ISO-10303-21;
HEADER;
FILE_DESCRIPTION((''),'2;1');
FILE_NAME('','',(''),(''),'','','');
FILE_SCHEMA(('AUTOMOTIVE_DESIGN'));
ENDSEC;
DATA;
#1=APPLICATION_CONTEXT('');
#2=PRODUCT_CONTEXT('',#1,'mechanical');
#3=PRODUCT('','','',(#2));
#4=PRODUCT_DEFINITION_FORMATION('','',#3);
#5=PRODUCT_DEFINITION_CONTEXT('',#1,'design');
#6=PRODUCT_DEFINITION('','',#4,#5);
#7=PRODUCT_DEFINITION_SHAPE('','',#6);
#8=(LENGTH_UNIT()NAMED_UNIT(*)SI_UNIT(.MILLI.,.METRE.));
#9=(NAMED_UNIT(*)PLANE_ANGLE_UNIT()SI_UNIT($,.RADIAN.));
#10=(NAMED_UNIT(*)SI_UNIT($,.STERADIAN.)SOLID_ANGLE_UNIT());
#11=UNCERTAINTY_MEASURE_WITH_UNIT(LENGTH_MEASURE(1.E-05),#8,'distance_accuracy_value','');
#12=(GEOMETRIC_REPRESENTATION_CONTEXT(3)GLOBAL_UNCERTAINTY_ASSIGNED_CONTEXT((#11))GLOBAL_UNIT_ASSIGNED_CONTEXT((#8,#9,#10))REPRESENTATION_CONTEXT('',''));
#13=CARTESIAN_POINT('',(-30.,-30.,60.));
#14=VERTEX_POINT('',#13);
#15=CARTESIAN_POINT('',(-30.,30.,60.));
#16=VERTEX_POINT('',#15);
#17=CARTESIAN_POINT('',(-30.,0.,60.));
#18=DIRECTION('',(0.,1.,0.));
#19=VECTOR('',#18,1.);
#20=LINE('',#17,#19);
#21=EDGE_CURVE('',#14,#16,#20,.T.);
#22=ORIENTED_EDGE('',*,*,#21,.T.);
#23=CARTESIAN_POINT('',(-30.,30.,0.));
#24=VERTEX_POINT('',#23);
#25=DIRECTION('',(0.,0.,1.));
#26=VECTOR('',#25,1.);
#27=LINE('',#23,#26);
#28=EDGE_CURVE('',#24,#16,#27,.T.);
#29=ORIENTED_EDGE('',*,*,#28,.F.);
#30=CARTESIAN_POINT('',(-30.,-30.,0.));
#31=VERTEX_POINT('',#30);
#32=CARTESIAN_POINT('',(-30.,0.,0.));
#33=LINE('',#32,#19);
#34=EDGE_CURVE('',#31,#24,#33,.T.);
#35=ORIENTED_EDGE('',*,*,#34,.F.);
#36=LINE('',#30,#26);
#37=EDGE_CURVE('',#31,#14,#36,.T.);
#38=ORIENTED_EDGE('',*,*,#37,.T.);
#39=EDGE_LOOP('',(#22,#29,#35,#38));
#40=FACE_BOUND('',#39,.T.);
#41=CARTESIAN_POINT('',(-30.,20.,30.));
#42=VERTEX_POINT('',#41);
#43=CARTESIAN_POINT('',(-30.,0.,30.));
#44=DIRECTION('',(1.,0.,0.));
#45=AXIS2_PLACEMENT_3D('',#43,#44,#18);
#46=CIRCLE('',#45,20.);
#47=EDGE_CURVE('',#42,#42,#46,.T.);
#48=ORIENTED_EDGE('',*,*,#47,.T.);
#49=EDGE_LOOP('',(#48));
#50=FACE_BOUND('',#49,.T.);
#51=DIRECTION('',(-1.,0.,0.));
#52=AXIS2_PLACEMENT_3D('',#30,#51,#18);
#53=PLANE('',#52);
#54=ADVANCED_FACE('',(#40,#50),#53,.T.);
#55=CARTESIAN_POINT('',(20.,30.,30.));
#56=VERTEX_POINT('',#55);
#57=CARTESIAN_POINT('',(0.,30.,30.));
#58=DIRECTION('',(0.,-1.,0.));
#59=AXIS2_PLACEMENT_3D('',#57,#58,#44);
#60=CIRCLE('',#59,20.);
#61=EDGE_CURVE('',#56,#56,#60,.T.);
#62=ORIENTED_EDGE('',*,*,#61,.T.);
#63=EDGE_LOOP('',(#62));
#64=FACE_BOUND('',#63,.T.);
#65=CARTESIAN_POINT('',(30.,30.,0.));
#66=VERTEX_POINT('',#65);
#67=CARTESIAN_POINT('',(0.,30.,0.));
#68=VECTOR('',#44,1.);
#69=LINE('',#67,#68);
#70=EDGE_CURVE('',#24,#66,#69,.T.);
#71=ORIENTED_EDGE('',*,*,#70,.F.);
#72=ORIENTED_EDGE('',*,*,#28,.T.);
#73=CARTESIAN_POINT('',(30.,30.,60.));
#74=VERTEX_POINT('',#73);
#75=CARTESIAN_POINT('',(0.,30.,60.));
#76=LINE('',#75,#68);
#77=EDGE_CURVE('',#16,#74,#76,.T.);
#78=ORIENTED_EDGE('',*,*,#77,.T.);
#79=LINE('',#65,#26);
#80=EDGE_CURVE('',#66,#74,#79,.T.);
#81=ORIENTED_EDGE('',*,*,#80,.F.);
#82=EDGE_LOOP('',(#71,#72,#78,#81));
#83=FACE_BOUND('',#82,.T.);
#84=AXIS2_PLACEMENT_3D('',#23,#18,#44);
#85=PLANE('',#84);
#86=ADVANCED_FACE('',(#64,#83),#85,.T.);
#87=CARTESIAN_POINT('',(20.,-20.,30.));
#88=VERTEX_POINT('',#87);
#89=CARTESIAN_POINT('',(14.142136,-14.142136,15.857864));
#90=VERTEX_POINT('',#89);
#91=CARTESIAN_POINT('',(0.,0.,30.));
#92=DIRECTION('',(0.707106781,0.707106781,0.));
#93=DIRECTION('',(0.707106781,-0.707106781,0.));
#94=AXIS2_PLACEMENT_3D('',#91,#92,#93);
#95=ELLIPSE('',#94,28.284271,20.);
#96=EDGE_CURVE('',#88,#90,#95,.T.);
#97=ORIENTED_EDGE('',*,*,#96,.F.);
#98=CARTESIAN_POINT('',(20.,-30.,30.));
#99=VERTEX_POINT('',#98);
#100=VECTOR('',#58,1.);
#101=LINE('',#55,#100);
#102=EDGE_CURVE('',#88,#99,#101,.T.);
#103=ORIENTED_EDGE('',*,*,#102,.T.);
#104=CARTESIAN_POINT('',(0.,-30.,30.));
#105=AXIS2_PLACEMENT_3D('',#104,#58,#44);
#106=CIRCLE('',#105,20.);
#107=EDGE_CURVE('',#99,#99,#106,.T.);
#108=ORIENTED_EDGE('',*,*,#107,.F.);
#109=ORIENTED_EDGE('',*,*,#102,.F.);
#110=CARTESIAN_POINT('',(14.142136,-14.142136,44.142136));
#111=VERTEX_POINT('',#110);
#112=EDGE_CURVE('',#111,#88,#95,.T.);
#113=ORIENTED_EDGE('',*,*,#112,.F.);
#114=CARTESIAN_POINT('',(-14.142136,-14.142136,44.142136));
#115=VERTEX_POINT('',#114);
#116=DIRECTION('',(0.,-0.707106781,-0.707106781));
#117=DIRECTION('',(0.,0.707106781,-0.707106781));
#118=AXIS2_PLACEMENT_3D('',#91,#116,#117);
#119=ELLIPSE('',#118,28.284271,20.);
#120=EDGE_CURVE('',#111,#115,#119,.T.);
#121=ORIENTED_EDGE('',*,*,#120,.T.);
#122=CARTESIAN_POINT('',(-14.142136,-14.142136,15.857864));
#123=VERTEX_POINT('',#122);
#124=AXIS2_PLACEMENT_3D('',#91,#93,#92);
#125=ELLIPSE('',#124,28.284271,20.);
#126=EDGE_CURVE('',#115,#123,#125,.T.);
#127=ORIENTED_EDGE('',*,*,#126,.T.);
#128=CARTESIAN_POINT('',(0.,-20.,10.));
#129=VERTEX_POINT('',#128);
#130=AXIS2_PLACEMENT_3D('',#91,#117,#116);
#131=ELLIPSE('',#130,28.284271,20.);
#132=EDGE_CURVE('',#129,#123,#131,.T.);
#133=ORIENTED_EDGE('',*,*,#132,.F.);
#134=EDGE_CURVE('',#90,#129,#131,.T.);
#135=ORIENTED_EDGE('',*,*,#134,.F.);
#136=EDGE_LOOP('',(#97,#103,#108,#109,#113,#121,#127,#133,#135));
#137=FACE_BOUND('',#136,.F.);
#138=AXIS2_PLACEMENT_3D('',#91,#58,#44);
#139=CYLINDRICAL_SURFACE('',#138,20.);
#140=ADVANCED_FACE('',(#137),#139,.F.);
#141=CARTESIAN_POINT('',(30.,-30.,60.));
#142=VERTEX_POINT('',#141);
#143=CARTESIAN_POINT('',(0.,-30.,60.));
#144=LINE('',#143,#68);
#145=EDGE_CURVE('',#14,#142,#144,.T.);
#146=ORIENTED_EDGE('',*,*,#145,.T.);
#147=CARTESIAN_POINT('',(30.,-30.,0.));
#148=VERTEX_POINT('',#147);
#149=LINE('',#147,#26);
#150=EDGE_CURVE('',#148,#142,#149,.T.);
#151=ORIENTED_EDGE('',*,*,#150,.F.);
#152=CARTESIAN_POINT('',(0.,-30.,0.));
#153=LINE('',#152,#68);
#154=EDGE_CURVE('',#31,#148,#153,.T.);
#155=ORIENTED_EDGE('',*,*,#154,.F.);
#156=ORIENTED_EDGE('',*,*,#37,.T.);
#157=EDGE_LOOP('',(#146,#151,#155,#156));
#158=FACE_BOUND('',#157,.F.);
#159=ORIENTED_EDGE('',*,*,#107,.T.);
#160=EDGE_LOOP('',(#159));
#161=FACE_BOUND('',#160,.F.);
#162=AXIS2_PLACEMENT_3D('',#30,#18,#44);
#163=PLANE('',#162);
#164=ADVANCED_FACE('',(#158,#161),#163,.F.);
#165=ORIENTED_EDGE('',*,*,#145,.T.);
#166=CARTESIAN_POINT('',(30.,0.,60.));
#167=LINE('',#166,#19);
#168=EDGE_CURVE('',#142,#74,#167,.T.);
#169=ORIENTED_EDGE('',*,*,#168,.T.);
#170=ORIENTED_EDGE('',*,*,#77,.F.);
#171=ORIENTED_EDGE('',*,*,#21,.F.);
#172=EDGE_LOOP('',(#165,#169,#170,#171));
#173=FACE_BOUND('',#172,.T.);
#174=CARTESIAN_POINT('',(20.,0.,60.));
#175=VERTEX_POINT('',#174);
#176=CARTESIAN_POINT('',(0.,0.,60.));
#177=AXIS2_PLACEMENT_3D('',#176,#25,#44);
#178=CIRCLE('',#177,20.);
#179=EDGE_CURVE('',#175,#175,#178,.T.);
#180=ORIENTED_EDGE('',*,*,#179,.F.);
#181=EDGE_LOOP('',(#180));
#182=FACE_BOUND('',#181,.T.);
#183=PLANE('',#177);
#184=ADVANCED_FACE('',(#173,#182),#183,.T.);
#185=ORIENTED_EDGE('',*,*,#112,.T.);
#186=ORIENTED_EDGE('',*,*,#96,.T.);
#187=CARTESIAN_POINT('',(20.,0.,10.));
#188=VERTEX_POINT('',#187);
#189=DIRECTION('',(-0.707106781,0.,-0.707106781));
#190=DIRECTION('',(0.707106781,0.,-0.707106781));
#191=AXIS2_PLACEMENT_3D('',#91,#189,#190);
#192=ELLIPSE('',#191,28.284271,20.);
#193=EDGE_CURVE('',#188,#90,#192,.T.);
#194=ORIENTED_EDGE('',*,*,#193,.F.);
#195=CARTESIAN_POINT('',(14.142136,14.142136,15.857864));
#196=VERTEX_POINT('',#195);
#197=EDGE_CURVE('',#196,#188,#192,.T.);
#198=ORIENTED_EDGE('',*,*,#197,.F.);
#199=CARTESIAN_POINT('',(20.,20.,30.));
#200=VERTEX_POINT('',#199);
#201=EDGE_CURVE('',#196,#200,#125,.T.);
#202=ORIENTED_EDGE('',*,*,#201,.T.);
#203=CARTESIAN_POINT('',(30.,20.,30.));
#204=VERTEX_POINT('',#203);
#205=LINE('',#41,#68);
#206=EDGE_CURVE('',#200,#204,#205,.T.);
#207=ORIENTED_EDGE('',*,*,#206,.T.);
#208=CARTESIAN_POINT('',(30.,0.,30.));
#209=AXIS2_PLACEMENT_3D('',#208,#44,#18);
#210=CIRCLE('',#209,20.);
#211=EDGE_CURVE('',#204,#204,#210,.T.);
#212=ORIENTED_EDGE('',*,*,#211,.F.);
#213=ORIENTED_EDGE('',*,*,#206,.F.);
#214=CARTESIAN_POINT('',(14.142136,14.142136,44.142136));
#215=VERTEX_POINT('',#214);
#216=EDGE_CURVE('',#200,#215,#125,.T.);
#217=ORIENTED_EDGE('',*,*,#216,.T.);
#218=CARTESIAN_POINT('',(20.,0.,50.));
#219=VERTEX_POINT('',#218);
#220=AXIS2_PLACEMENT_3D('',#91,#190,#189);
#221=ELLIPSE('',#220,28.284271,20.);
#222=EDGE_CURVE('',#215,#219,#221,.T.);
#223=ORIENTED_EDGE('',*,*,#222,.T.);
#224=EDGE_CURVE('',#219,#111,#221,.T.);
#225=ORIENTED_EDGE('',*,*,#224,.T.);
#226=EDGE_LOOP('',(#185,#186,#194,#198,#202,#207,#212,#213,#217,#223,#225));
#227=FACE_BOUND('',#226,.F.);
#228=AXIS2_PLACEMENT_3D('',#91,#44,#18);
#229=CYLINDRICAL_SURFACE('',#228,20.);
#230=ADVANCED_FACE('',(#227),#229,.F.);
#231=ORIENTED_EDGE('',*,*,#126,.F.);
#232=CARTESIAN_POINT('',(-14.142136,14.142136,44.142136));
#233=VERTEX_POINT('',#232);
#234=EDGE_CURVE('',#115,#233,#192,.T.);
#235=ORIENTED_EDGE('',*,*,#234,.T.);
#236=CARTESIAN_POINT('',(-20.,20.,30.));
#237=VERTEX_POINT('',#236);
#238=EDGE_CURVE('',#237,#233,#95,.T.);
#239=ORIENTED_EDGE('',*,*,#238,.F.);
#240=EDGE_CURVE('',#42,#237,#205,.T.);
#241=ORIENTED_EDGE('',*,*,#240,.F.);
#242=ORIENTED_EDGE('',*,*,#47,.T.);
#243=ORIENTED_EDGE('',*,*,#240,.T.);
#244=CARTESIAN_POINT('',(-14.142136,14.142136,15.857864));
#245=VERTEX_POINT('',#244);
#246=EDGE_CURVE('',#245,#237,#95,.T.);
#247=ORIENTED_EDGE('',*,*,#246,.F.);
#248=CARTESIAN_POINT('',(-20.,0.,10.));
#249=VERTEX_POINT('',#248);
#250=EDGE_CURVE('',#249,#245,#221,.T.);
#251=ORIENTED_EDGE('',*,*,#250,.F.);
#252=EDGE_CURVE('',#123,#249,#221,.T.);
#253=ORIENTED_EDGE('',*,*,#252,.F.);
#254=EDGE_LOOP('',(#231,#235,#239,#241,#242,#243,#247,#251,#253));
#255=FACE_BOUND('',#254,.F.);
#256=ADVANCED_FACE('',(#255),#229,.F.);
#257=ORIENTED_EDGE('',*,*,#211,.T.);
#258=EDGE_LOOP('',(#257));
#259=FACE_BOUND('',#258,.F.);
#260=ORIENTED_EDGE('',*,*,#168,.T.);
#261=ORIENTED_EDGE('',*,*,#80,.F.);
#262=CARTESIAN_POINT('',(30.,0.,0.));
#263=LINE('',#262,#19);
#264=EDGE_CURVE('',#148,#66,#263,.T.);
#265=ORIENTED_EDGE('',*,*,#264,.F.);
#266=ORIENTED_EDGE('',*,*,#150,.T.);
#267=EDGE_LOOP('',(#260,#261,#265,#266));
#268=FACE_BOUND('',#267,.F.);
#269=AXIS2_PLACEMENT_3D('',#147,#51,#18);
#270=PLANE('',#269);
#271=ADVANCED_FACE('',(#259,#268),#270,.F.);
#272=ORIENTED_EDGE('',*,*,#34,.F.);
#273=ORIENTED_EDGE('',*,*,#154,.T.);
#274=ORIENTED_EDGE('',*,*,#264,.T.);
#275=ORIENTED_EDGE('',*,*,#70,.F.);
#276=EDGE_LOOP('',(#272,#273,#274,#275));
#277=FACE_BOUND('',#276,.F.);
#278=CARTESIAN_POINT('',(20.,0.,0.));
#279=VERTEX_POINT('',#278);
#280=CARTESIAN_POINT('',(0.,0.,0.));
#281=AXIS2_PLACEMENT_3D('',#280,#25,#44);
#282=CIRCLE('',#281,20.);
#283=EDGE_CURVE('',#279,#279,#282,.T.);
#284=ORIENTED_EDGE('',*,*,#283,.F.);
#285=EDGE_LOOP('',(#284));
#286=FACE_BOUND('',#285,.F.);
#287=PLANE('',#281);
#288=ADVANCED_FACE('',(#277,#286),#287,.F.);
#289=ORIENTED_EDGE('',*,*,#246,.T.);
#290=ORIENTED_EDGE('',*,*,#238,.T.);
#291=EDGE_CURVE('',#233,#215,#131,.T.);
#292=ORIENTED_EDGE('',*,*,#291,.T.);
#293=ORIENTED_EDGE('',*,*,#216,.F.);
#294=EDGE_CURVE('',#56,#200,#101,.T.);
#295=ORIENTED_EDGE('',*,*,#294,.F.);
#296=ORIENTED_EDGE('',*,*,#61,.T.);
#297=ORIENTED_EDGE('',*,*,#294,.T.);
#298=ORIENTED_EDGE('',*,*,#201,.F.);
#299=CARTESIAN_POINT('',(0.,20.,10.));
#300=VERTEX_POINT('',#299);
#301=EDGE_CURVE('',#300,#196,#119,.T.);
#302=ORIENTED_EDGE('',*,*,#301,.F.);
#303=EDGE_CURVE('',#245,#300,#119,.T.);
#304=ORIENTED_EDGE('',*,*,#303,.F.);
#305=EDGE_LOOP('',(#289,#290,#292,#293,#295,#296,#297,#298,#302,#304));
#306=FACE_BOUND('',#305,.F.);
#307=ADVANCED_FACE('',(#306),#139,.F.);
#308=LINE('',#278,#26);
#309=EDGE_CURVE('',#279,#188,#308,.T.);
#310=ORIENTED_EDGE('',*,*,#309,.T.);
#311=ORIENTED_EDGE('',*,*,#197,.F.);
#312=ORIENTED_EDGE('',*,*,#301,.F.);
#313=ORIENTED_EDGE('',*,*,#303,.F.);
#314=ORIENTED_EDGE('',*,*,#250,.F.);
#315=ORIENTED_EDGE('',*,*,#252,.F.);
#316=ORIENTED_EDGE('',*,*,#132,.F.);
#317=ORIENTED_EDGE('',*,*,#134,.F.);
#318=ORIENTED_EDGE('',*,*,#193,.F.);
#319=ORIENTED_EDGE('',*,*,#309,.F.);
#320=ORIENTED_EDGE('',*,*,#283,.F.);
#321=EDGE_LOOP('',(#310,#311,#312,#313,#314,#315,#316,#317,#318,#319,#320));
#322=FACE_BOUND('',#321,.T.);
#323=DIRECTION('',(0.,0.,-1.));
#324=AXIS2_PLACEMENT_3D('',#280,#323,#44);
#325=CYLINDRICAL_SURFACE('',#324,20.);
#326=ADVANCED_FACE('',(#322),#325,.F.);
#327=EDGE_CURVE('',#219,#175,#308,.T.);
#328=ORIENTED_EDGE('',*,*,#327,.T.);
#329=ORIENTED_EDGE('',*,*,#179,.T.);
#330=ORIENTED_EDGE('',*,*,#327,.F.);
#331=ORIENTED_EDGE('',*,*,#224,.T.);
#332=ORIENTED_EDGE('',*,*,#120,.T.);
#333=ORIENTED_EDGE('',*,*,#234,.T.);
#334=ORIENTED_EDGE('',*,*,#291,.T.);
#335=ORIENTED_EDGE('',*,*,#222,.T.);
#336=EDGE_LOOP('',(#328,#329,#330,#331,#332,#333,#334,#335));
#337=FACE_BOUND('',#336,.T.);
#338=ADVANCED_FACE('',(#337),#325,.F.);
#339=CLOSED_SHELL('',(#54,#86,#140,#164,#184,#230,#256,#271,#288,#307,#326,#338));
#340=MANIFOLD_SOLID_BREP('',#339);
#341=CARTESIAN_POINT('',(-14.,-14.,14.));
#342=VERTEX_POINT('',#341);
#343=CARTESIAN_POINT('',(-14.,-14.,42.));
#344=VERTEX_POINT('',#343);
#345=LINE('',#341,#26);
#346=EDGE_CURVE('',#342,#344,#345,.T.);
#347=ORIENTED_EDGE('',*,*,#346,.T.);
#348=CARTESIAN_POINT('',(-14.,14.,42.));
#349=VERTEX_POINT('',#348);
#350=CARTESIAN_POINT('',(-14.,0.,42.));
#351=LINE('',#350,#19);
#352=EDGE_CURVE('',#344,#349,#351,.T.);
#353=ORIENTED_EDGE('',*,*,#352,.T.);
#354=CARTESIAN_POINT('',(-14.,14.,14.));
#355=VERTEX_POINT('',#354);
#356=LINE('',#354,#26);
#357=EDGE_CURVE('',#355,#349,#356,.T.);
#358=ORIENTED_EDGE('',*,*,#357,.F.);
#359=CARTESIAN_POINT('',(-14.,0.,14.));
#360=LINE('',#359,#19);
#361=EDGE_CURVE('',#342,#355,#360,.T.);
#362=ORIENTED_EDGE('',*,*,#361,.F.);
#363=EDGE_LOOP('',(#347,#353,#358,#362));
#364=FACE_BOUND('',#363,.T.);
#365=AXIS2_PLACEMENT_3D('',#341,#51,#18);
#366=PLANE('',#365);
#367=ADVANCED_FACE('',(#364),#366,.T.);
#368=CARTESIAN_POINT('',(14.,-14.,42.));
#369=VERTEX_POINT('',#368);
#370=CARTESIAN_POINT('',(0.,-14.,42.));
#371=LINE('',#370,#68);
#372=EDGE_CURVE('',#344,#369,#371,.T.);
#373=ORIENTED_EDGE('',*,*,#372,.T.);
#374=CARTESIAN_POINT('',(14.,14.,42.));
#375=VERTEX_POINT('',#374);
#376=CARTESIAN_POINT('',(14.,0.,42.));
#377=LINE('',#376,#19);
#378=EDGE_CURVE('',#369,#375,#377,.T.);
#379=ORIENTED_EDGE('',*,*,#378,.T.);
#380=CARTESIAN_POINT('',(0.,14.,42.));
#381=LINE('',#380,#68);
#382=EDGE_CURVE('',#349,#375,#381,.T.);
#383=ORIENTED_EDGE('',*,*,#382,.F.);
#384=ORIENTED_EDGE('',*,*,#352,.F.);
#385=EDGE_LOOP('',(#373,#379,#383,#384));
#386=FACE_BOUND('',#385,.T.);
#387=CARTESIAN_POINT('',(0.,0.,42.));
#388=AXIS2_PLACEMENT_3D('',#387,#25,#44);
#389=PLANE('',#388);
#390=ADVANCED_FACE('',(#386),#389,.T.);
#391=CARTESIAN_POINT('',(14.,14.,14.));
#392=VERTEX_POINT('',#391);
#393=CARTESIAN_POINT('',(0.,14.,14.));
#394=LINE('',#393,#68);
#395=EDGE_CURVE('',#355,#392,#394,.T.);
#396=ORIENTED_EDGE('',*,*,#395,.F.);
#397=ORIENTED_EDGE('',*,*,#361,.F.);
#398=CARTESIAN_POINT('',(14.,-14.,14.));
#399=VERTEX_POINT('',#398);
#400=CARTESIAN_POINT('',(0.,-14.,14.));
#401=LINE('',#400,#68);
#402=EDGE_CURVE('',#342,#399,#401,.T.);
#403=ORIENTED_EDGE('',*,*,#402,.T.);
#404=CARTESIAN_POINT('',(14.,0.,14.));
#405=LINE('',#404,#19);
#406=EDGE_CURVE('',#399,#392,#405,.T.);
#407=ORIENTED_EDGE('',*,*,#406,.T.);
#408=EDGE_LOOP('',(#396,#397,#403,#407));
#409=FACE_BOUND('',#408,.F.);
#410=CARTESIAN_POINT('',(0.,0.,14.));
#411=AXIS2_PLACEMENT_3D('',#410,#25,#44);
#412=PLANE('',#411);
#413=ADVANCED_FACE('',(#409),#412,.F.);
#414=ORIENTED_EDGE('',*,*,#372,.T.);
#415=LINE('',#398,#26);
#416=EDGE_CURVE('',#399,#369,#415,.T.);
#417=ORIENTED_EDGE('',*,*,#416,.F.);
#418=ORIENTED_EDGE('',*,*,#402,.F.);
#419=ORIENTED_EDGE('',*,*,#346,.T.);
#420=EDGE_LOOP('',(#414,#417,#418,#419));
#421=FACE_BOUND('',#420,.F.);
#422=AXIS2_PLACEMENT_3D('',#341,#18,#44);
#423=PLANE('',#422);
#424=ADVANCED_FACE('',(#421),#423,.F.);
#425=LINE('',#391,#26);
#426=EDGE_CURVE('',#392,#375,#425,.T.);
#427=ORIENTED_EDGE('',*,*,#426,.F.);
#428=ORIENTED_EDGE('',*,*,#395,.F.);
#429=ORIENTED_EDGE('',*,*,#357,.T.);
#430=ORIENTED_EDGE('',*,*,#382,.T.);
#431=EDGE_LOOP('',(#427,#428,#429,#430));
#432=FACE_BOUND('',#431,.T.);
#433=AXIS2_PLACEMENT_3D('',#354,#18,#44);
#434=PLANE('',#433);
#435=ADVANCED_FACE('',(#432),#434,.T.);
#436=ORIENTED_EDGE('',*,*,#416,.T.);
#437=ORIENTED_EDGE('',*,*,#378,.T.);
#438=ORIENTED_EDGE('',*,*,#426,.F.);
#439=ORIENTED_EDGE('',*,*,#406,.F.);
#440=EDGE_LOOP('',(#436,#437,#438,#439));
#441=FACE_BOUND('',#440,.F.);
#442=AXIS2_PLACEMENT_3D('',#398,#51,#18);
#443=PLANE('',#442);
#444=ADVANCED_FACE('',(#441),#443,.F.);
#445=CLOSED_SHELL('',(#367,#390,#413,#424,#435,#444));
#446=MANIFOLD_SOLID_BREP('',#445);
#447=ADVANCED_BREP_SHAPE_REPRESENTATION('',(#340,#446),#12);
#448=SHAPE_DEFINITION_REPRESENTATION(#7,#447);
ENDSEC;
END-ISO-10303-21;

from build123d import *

# Parameters (mm, degrees)
F0_W     = 60
F0_H     = 60
F0_R     = 20
F1_DEPTH = 60
F2_R     = 20
F3_DEPTH = 30
F4_R     = 20
F5_DEPTH = 30
F6_START = 14
F0_W_2   = 28
F0_H_2   = 28
F6_DEPTH = 28


with BuildPart() as f1:
    # F0 (on Top) → F1 (new body)
    with BuildSketch(Plane.XY):
        Rectangle(F0_W, F0_H)
        Circle(F0_R, mode=Mode.SUBTRACT)
    extrude(amount=F1_DEPTH)

    # F2 (on Right) → F3 (cut, symmetric)
    with BuildSketch(Plane.YZ):
        with Locations((0, 30)):
            Circle(F2_R)
    extrude(amount=F3_DEPTH, both=True, mode=Mode.SUBTRACT)

    # F4 (on Front) → F5 (cut, symmetric)
    with BuildSketch(Plane.XZ):
        with Locations((0, 30)):
            Circle(F4_R)
    extrude(amount=F5_DEPTH, both=True, mode=Mode.SUBTRACT)


with BuildPart() as f6:
    # F0 (on Top) → F6 (new body)
    with BuildSketch(Plane.XY.offset(F6_START)):
        Rectangle(F0_W_2, F0_H_2)
    extrude(amount=F6_DEPTH)


solid = Compound([f1.part, f6.part])
